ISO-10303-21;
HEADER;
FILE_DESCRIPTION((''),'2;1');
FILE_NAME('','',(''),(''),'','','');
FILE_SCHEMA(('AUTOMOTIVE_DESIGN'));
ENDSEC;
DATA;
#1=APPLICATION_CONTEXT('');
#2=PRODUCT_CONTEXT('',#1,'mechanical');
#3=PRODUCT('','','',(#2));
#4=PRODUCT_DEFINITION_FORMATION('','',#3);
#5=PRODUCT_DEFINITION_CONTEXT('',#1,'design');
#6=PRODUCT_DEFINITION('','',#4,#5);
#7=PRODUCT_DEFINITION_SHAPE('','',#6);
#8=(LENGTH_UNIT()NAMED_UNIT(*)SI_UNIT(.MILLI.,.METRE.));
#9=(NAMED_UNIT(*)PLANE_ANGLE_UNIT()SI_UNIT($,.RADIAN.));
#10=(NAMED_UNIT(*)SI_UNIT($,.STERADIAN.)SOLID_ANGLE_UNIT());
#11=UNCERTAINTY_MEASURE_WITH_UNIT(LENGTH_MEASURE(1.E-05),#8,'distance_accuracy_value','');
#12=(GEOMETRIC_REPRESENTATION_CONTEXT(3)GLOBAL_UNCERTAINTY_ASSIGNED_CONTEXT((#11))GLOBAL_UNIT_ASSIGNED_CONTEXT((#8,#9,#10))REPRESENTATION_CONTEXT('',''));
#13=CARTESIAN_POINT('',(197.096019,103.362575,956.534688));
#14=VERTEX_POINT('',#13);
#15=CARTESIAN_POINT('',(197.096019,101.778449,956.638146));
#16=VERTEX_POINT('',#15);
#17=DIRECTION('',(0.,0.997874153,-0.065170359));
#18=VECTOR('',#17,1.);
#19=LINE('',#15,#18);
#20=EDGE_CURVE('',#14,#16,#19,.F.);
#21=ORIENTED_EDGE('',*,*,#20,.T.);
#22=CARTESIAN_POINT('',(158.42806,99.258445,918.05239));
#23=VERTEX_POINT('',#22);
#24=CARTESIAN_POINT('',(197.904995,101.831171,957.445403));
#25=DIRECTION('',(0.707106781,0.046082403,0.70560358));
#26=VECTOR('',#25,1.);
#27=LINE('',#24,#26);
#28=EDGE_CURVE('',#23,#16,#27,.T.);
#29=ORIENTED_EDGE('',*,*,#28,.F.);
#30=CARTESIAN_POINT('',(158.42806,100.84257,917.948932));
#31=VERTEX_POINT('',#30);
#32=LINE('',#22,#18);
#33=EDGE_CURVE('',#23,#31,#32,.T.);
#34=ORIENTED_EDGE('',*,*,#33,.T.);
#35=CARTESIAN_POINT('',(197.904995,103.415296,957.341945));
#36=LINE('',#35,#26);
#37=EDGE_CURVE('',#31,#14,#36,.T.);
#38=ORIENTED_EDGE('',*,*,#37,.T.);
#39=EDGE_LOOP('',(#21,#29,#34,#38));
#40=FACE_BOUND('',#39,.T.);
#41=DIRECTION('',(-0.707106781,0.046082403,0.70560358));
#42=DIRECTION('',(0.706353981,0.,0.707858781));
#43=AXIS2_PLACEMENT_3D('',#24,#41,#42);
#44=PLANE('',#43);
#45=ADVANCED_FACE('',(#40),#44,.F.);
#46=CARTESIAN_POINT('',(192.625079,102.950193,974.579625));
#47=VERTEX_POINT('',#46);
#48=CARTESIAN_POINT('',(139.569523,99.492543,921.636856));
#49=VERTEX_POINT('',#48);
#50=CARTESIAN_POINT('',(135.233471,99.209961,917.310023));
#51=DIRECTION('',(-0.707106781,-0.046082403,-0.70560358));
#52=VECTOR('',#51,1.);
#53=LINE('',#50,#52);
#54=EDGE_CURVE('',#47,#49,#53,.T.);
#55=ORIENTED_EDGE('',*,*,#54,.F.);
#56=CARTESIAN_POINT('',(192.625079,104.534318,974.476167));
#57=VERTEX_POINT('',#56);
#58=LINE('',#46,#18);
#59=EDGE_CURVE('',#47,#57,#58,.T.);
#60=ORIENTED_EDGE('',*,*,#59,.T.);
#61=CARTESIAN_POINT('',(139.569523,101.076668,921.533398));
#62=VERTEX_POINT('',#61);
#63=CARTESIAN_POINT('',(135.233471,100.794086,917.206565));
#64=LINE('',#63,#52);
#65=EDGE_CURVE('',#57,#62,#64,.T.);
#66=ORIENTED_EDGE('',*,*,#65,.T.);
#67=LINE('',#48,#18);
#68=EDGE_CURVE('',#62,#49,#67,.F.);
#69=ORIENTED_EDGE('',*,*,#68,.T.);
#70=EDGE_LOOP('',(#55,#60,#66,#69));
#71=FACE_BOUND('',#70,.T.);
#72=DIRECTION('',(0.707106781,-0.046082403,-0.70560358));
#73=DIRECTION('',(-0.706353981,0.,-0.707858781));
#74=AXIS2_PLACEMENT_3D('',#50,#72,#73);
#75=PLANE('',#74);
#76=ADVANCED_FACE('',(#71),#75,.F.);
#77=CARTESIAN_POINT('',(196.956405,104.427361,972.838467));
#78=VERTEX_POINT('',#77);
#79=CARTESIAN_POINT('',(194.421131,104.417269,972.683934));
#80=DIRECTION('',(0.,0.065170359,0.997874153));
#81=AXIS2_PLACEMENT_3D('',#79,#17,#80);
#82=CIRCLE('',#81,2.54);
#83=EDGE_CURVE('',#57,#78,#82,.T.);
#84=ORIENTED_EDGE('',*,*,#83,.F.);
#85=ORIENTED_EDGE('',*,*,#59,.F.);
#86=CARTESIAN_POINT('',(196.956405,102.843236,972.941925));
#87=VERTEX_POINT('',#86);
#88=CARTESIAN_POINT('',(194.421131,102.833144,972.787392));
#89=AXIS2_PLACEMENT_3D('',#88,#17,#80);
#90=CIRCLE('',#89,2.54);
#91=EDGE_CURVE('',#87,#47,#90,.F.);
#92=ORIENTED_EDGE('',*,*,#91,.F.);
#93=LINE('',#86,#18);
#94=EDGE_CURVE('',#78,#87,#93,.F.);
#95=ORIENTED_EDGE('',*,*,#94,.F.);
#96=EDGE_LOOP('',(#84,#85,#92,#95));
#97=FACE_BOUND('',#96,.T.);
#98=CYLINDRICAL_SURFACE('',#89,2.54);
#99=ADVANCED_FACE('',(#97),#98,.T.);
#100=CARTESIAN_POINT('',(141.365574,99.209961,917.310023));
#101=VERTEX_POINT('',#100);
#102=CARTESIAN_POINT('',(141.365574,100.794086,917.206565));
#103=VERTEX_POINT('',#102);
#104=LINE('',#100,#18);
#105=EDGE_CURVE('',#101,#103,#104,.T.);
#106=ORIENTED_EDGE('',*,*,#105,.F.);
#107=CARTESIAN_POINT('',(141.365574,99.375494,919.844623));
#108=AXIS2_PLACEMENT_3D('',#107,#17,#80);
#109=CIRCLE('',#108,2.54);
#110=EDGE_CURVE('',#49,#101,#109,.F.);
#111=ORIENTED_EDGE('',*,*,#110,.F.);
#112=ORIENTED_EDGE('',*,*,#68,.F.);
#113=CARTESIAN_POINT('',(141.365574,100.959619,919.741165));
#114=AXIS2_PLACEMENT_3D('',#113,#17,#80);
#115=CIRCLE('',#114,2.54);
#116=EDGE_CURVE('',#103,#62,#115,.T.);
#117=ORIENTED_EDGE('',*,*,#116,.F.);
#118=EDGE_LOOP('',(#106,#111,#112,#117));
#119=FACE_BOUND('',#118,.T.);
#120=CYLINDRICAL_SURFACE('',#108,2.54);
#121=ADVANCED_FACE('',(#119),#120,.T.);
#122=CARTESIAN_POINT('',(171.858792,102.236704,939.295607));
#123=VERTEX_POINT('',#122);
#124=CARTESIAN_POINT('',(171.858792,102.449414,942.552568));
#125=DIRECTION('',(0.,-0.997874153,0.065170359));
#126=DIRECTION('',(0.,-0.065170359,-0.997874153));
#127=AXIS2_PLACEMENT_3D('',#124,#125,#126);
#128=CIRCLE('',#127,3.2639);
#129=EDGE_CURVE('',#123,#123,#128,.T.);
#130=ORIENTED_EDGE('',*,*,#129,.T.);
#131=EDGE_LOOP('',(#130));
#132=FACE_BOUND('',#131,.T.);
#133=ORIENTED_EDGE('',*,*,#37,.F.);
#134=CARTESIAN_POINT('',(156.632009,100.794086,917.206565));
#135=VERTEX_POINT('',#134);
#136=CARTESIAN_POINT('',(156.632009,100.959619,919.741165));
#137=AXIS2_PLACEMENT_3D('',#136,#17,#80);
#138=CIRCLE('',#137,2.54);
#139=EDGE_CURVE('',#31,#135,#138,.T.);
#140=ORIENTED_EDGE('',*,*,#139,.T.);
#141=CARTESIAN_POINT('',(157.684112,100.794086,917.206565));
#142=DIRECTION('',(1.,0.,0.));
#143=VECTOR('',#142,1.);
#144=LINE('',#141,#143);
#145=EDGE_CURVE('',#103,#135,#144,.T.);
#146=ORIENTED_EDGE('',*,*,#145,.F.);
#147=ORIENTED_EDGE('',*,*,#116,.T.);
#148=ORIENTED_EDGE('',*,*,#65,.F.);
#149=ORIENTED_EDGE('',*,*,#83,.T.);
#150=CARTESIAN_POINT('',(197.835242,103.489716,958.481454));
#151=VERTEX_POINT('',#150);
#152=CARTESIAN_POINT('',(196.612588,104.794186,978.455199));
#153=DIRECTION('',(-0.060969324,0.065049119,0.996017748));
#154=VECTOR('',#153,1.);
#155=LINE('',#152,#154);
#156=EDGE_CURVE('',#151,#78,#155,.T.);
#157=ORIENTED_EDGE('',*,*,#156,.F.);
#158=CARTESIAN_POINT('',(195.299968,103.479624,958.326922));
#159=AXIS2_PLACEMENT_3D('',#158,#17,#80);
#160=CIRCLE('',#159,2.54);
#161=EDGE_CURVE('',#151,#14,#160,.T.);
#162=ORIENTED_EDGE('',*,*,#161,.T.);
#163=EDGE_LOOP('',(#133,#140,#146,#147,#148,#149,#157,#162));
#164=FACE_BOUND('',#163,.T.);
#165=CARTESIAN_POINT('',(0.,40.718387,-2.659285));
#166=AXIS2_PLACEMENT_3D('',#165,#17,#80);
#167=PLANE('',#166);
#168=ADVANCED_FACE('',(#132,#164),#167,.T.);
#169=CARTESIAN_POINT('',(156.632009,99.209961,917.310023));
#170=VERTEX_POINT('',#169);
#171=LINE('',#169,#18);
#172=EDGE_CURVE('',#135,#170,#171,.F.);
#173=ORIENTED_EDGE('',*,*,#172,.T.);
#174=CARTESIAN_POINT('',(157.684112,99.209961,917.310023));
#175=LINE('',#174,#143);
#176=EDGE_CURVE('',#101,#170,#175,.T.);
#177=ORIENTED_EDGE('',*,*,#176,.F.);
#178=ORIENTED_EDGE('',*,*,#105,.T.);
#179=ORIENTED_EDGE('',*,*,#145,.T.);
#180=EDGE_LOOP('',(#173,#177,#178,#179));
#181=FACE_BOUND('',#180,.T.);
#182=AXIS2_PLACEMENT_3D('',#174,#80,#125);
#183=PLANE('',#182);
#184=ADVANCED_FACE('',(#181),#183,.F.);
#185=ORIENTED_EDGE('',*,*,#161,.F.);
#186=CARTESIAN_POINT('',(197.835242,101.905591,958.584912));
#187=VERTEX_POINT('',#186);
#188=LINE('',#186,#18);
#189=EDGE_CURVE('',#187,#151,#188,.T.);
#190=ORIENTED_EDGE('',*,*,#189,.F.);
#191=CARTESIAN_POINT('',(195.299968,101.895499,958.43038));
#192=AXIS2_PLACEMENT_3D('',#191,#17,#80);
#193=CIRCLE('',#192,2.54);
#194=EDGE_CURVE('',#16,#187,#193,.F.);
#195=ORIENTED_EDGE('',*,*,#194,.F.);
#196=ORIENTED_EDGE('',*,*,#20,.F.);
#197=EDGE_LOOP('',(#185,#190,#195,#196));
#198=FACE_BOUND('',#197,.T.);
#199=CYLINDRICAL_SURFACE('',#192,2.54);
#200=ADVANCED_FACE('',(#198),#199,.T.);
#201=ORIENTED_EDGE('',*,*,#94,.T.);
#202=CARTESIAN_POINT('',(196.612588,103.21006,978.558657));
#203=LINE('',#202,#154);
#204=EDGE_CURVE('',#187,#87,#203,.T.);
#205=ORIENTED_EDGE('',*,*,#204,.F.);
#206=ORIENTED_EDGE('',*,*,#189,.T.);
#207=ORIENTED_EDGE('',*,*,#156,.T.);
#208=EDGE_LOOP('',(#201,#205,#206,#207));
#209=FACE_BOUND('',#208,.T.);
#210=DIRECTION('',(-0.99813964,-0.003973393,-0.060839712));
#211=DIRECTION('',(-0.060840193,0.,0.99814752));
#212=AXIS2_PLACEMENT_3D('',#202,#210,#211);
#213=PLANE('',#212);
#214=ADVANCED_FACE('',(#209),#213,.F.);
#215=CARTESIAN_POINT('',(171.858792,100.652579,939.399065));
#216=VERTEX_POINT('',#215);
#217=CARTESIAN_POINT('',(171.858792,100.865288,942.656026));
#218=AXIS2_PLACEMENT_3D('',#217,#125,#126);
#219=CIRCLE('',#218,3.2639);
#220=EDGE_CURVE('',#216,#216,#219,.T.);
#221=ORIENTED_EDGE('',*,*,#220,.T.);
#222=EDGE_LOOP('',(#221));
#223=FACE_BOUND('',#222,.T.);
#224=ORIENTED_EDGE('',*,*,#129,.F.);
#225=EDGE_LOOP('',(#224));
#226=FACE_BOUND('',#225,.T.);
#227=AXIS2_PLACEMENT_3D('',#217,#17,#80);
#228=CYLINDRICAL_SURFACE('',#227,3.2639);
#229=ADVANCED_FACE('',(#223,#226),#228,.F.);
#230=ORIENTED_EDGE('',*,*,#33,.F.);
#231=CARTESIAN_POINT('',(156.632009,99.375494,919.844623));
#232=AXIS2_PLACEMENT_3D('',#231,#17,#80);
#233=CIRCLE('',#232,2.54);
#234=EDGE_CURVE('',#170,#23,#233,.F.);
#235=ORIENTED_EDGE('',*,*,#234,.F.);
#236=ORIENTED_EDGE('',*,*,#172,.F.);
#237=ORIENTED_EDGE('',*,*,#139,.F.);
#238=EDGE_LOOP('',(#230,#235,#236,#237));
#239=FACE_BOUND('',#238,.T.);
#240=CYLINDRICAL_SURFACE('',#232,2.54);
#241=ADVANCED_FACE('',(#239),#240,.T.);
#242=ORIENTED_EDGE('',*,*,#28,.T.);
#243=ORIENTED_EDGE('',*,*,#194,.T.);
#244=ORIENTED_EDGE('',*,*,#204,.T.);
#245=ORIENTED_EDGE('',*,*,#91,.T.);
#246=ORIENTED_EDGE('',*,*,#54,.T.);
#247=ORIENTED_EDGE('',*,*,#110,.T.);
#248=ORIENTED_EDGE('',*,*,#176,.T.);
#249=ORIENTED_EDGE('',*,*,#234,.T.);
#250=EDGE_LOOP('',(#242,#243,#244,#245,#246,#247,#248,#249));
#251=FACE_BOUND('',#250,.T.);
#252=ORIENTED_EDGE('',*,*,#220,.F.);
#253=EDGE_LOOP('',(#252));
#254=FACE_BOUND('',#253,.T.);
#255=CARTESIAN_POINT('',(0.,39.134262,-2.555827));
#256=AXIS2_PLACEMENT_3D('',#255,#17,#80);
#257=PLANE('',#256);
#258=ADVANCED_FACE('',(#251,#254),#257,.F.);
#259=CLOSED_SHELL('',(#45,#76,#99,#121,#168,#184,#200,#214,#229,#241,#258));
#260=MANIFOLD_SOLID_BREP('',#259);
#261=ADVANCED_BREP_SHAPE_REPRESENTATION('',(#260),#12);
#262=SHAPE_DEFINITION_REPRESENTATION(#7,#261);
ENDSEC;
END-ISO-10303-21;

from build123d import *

# Parameters (mm, degrees)
SKETCH1_R           = 3.2639
BOSS_EXTRUDE1_DEPTH = 1.5875
FILLET1_R           = 2.54


with BuildPart() as part:
    # Sketch1 → Boss-Extrude1 (new body)
    with BuildSketch(Plane(origin=(0, 40.718386742, -2.659285129), x_dir=(-1, 0, 0), z_dir=(4.5722974018058706e-14, -0.9978741525202127, 0.06517035930595697))):
        Polygon((-197.904995268, -962.046394088), (-157.684111673, -921.825510494), (-135.233471371, -921.825510494), (-196.612587776, -983.204626899), align=None)
        with Locations((-171.858791522, -947.225510494)):
            Circle(SKETCH1_R, mode=Mode.SUBTRACT)
    extrude(amount=BOSS_EXTRUDE1_DEPTH)

    # Fillet1
    fillet1_edges = [part.edges().sort_by_distance(p)[0] for p in [
        (197.904995268, 102.623233305, 957.39367403),
        (157.684111673, 100.002023869, 917.258293899),
        (135.233471371, 100.002023869, 917.258293899),
        (196.612587776, 104.002122939, 978.506927665),
    ]]
    fillet(fillet1_edges, radius=FILLET1_R)


solid = part.part
